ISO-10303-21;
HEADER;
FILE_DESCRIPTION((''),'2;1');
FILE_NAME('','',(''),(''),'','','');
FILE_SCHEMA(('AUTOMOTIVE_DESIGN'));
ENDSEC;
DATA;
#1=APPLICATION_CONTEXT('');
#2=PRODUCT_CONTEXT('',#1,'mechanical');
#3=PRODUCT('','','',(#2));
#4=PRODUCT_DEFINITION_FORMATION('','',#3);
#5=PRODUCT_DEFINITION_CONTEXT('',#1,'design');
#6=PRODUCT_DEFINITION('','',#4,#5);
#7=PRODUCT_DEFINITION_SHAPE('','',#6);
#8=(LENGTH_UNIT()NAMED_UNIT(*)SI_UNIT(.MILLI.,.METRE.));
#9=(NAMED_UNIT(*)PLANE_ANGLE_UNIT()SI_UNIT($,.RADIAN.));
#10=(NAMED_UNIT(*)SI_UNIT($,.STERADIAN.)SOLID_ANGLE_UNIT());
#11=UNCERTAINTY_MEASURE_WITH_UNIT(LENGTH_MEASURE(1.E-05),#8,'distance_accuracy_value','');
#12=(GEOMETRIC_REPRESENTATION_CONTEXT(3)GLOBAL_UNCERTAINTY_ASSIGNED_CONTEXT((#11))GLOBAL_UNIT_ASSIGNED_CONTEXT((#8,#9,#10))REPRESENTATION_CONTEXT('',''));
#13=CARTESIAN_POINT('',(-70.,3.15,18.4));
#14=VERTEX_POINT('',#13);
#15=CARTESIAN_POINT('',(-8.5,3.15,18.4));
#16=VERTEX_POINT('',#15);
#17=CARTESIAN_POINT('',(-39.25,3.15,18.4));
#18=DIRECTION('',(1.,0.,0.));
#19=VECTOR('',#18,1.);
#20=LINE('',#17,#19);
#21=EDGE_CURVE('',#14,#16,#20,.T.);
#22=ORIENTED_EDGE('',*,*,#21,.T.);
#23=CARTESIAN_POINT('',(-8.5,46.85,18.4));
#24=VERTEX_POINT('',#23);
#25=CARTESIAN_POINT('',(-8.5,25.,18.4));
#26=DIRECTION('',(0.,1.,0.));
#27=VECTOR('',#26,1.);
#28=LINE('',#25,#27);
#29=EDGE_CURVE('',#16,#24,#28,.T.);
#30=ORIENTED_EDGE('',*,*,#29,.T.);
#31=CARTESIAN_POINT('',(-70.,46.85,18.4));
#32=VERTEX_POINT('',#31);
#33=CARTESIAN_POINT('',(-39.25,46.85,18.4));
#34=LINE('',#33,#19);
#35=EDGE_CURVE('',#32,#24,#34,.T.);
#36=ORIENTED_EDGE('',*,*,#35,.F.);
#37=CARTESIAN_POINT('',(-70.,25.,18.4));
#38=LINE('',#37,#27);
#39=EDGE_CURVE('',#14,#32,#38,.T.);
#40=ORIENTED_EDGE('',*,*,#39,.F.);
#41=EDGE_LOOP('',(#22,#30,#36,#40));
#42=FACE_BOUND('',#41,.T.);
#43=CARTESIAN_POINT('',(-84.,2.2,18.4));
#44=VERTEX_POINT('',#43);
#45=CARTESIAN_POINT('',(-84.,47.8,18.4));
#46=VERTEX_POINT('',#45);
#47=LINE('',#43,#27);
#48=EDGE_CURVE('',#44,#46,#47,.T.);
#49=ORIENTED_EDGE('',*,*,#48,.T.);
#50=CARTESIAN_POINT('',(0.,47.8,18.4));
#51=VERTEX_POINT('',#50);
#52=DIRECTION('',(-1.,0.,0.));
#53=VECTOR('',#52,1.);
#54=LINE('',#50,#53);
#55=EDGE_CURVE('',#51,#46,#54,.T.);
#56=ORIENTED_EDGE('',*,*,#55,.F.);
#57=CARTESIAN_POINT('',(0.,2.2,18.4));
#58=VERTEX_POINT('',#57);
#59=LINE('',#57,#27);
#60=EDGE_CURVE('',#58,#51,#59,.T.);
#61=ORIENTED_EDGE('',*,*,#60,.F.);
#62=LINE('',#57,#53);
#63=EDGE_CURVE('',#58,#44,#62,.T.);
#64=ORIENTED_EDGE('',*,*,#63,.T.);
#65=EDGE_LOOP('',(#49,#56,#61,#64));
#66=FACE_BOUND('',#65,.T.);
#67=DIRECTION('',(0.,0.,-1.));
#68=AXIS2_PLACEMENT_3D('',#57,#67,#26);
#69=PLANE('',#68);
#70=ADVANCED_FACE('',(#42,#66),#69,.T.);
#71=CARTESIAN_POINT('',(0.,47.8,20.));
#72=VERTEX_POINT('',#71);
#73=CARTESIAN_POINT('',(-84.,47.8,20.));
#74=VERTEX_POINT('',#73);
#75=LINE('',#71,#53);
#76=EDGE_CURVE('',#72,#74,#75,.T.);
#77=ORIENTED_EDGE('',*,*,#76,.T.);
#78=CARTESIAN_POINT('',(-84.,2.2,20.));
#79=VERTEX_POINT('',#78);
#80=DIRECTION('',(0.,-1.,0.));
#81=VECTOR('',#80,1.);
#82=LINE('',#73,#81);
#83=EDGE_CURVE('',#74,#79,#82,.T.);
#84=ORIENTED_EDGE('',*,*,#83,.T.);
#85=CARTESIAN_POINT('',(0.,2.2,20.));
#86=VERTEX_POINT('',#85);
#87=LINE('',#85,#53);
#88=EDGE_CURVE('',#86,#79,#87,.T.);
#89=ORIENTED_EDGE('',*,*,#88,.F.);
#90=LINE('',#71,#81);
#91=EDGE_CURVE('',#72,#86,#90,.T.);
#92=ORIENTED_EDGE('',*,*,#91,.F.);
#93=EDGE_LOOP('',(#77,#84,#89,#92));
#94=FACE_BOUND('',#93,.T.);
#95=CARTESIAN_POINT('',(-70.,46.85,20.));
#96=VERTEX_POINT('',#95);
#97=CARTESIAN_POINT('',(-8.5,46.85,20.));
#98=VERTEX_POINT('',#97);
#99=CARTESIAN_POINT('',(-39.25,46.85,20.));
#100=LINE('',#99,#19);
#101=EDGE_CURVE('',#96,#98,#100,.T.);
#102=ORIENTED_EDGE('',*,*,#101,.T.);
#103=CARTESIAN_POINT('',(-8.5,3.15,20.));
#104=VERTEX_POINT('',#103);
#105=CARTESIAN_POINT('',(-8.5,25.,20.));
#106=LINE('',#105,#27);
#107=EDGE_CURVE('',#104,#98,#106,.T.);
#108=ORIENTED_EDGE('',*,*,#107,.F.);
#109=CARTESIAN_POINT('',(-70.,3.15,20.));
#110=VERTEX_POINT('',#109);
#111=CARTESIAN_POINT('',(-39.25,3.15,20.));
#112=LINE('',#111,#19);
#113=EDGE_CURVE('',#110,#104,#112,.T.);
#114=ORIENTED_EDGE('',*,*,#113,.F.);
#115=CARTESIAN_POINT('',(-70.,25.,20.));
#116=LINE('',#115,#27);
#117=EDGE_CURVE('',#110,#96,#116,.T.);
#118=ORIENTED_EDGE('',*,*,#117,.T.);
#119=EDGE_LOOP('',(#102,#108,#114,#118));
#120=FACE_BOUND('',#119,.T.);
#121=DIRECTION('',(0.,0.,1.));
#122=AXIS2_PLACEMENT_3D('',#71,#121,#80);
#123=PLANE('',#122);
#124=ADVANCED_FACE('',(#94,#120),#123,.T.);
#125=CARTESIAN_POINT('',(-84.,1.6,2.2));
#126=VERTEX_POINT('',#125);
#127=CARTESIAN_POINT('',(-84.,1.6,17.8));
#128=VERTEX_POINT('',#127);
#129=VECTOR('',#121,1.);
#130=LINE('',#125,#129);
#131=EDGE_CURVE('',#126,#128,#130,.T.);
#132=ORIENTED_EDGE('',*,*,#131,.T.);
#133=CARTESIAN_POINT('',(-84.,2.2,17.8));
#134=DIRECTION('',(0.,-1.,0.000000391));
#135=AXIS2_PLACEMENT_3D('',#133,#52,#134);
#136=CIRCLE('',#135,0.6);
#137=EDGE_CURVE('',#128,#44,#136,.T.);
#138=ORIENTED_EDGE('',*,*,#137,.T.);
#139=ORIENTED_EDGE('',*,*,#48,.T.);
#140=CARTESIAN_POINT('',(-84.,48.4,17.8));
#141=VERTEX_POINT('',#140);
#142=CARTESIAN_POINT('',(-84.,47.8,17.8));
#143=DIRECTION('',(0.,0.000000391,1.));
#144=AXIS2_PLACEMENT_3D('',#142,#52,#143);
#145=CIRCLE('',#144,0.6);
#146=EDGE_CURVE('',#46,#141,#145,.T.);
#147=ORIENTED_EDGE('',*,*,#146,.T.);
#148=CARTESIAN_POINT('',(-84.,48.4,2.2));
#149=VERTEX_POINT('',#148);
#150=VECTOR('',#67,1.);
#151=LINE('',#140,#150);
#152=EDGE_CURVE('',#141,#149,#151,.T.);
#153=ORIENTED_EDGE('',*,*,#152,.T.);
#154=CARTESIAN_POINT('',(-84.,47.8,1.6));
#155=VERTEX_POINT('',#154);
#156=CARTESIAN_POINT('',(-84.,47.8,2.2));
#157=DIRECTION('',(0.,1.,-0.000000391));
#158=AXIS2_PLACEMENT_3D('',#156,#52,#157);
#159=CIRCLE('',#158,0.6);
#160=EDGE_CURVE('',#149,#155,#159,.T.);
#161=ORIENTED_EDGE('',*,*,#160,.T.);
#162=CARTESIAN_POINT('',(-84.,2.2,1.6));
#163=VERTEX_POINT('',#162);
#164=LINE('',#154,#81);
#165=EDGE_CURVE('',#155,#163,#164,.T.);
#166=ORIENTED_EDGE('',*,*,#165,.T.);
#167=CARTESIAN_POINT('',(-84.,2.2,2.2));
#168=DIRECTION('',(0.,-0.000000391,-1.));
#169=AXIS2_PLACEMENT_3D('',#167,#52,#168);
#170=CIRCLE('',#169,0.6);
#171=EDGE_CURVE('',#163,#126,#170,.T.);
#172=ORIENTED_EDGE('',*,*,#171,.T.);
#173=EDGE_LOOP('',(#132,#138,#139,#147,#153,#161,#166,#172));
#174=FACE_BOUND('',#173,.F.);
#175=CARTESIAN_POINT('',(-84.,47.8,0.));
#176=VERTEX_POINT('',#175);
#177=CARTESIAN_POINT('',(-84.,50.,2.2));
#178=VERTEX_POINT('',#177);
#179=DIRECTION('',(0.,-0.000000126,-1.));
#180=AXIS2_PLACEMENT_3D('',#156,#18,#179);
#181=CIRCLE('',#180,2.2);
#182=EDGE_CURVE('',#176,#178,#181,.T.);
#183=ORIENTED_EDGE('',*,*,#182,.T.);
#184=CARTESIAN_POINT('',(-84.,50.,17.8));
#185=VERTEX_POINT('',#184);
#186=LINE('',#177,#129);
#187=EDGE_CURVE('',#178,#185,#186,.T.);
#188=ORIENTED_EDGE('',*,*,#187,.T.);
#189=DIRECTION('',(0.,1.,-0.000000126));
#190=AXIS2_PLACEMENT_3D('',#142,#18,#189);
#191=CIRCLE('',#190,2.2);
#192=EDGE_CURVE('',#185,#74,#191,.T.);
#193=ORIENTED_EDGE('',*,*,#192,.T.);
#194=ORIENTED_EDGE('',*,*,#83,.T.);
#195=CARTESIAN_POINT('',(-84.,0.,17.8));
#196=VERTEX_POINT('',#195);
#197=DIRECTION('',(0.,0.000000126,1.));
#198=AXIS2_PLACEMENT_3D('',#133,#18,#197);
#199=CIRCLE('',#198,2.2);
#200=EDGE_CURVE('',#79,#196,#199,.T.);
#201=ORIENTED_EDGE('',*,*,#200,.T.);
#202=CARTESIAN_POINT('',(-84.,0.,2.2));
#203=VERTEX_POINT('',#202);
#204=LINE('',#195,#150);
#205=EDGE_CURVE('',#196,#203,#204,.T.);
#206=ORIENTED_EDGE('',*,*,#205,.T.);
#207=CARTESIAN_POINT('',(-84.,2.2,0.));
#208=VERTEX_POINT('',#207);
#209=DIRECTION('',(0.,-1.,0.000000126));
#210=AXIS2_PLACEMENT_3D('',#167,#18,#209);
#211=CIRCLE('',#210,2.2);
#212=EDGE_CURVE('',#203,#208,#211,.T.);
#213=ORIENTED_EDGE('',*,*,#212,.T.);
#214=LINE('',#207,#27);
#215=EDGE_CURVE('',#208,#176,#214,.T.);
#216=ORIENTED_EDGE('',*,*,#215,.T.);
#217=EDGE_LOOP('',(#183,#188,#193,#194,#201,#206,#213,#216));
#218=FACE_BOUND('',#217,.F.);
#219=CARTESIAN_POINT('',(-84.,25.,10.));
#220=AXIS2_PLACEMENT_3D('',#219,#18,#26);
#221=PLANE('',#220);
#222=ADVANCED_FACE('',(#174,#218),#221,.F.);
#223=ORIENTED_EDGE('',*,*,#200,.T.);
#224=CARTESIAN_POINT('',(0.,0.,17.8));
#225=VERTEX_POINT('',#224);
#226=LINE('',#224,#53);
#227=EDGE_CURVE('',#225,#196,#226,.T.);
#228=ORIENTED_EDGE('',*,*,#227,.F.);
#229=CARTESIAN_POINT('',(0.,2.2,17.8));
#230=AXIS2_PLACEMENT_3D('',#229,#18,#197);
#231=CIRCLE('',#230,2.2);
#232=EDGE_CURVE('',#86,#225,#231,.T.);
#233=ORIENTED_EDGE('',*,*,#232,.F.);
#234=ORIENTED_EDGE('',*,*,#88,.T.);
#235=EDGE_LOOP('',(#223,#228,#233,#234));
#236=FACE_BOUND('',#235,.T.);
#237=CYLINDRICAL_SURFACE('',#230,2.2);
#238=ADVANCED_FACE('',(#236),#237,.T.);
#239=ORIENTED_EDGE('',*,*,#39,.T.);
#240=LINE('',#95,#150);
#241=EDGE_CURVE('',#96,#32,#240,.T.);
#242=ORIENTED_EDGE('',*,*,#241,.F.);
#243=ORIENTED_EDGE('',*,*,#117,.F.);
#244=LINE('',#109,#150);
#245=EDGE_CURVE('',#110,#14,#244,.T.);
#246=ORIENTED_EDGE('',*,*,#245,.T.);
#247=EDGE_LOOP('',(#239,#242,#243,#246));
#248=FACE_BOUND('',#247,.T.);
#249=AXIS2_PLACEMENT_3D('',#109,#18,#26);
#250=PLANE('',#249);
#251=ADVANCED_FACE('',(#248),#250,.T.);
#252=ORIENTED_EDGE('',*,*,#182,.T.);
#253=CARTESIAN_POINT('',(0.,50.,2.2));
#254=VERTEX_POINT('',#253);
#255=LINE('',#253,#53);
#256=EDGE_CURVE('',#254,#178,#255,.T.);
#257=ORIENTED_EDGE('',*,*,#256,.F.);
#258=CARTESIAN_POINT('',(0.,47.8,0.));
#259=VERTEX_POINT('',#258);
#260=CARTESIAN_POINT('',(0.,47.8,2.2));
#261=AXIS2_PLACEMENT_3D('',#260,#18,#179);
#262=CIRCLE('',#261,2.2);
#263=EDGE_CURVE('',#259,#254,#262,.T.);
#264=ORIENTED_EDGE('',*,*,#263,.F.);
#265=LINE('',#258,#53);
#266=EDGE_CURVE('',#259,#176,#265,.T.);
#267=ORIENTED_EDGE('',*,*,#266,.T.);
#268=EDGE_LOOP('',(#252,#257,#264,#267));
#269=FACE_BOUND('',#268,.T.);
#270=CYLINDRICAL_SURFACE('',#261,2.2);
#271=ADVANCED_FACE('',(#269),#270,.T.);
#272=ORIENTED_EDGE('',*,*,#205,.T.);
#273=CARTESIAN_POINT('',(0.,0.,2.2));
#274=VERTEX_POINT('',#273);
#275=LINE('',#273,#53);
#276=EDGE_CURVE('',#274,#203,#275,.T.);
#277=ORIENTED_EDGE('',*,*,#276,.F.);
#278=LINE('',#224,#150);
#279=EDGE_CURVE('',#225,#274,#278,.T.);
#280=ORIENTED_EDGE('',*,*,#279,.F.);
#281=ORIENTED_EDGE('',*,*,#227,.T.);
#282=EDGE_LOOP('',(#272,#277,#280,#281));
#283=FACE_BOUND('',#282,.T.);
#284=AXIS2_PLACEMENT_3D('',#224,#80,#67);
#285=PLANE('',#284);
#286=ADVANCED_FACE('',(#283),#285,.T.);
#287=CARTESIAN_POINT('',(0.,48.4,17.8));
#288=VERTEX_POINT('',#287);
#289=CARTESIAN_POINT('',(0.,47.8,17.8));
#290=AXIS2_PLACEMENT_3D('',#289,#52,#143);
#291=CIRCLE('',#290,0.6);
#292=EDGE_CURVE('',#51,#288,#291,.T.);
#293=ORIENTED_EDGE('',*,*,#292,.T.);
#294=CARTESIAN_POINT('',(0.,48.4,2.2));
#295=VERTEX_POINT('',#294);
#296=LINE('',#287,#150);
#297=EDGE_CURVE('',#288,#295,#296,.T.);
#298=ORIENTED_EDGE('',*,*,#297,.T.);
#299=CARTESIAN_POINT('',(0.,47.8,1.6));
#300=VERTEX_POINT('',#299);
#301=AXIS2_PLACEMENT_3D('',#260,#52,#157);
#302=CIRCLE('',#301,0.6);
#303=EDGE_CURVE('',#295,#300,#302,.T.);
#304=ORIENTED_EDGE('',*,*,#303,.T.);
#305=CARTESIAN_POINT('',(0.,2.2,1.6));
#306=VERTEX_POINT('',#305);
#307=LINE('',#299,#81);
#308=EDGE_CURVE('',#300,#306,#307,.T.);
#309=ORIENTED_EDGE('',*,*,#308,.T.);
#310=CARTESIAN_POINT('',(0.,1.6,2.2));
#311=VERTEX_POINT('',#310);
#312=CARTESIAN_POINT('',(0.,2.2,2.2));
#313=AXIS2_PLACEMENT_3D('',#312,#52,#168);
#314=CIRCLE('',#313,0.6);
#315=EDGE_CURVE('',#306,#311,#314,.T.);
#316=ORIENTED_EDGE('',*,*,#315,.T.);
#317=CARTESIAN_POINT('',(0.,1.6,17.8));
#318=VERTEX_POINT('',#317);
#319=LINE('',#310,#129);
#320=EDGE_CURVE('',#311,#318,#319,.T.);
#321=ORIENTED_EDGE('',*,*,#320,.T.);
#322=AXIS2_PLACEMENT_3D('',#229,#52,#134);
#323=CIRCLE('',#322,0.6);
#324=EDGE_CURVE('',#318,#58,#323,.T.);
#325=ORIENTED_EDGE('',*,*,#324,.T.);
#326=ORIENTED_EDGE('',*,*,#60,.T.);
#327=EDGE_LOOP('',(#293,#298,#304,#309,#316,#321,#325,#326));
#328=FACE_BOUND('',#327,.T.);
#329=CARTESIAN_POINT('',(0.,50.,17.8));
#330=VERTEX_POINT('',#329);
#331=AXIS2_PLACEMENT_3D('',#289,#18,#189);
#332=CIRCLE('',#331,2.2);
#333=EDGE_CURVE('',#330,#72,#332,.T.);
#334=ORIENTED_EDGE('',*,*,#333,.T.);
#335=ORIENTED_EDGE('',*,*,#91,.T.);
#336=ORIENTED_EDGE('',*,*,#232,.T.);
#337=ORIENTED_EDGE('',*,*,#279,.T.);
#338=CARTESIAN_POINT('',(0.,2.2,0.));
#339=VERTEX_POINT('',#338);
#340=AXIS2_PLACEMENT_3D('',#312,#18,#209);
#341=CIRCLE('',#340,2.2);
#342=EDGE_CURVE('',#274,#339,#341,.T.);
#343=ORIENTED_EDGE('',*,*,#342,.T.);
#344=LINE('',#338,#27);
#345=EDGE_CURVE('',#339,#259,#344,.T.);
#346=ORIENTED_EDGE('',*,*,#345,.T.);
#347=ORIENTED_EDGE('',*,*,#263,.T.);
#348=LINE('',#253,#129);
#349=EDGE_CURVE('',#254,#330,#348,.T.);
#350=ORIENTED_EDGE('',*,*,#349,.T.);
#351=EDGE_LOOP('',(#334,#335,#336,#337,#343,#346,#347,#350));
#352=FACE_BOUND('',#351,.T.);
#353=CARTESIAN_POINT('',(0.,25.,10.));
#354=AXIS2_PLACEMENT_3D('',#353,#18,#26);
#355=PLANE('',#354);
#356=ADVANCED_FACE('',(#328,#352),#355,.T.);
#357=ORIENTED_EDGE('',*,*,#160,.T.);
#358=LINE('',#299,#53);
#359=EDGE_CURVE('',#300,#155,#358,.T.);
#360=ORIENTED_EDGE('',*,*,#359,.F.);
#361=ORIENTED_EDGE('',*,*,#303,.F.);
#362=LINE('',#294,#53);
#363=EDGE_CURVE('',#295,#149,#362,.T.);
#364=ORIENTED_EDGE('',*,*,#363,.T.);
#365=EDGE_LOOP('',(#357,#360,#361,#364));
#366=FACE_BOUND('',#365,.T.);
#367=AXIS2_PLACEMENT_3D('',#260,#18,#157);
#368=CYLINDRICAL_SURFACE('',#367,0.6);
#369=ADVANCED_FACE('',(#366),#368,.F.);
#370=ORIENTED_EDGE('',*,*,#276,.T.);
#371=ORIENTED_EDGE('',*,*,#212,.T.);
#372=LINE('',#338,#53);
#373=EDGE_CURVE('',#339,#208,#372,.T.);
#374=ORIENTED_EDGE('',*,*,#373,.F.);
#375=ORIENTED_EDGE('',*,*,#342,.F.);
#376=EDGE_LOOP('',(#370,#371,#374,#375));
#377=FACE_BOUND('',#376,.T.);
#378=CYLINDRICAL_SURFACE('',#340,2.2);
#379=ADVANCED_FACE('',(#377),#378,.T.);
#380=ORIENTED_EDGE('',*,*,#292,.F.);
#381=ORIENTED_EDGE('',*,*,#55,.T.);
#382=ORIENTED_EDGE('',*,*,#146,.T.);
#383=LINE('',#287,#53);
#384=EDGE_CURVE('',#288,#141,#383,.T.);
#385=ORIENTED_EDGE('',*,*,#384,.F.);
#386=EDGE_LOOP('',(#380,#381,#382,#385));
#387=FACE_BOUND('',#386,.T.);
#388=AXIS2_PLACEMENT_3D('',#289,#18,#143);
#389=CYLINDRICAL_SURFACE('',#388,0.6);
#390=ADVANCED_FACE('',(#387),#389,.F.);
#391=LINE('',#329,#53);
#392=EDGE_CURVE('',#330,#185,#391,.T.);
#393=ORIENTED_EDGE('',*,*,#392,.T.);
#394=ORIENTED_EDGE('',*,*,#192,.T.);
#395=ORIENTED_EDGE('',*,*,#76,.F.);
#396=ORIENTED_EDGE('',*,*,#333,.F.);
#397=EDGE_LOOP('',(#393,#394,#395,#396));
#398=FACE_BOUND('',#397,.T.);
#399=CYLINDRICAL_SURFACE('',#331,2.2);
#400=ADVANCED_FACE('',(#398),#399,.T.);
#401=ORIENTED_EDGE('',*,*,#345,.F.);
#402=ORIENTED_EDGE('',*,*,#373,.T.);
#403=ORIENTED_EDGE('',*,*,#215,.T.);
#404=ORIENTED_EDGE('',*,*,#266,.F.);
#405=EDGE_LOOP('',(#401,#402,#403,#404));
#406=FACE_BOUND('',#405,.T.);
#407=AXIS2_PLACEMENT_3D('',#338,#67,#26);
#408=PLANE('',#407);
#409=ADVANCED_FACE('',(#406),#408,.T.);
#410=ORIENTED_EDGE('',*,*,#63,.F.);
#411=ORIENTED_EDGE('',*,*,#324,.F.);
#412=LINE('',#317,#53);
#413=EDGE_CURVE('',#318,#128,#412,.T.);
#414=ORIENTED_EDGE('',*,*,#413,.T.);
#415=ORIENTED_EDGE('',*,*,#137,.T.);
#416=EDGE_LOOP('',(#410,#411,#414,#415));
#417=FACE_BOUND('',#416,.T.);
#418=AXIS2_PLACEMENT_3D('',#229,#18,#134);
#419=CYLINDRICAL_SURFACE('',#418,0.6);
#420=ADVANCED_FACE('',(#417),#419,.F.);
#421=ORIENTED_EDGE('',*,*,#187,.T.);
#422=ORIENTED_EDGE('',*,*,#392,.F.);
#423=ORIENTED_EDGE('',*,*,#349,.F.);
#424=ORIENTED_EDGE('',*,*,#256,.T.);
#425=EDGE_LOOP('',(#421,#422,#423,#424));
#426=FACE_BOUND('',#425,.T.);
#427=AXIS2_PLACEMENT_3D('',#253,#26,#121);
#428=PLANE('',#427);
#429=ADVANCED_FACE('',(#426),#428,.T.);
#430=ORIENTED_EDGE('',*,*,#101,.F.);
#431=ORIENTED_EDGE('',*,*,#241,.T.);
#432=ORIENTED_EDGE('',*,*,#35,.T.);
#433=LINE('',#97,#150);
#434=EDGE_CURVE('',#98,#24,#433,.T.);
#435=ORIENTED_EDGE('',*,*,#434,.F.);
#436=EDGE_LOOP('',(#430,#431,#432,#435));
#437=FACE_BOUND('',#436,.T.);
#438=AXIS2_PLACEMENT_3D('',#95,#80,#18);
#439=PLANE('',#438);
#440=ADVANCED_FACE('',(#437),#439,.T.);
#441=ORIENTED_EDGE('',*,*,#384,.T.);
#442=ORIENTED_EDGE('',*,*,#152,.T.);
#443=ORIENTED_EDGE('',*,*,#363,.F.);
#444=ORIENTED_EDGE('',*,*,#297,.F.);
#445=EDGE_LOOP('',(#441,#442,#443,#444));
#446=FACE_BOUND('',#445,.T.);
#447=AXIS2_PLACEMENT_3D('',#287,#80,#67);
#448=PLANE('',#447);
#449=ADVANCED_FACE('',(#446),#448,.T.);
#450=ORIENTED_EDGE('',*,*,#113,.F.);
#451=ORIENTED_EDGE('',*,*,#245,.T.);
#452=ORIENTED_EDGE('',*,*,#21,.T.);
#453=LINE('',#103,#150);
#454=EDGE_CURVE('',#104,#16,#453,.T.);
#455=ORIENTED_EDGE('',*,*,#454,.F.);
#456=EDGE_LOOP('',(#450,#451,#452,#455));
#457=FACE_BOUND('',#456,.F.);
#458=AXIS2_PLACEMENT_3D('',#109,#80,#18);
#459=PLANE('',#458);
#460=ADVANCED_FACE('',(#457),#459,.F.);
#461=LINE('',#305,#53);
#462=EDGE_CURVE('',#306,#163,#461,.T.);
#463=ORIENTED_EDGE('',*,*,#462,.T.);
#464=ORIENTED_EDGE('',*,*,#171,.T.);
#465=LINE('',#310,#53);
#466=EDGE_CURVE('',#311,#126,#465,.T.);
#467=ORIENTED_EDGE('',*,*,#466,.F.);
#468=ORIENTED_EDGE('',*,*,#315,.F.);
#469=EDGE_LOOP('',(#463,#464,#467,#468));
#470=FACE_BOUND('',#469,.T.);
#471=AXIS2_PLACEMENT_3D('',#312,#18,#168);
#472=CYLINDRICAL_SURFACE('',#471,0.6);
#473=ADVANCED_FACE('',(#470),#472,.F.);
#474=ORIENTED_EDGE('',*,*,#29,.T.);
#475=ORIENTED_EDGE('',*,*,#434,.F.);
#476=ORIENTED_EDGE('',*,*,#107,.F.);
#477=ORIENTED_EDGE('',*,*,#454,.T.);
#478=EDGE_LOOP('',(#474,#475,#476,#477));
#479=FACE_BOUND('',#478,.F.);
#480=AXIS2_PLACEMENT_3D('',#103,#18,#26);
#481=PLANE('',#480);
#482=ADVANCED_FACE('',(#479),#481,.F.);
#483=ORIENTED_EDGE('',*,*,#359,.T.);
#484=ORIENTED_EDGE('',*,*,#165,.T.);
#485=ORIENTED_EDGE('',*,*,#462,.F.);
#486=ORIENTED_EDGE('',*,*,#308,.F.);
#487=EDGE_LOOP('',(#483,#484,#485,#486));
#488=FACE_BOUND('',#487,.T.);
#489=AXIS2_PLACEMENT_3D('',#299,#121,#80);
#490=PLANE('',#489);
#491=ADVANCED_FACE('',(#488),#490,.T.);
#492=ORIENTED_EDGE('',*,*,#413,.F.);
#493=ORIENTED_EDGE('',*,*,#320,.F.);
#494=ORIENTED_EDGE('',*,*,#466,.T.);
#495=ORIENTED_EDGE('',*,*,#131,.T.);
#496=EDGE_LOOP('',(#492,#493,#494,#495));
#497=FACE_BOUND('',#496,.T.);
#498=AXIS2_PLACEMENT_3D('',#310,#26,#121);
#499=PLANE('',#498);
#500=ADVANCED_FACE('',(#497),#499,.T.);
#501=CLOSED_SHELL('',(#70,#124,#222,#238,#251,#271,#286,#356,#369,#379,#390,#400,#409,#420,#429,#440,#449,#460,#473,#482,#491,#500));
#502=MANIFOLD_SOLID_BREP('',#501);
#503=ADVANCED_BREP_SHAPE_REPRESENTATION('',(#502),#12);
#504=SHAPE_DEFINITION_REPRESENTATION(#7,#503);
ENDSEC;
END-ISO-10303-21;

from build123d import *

# Parameters (mm, degrees)
F1_DEPTH = 84
F2_W     = 61.5
F2_H     = 43.7
F3_DEPTH = 1.6


with BuildPart() as f1:
    # F0 (on Right) → F1 (new body)
    with BuildSketch(Plane.YZ):
        with BuildLine():
            Line((47.8, 20), (2.2, 20))
            ThreePointArc((2.2, 20), (0.644365, 19.355635), (0, 17.8))
            Line((0, 17.8), (0, 2.2))
            ThreePointArc((0, 2.2), (0.644365, 0.644365), (2.2, 0))
            Line((2.2, 0), (47.8, 0))
            ThreePointArc((47.8, 0), (49.355635, 0.644365), (50, 2.2))
            Line((50, 2.2), (50, 17.8))
            ThreePointArc((50, 17.8), (49.355635, 19.355635), (47.8, 20))
        make_face()
        with BuildLine():
            ThreePointArc((47.8, 18.4), (48.224264, 18.224264), (48.4, 17.8))
            Line((48.4, 17.8), (48.4, 2.2))
            ThreePointArc((48.4, 2.2), (48.224264, 1.775736), (47.8, 1.6))
            Line((47.8, 1.6), (2.2, 1.6))
            ThreePointArc((2.2, 1.6), (1.775736, 1.775736), (1.6, 2.2))
            Line((1.6, 2.2), (1.6, 17.8))
            ThreePointArc((1.6, 17.8), (1.775736, 18.224264), (2.2, 18.4))
            Line((2.2, 18.4), (47.8, 18.4))
        make_face(mode=Mode.SUBTRACT)
    extrude(amount=-F1_DEPTH)

    # F2 (on face) → F3 (cut, through all)
    with BuildSketch(Plane.XY.offset(20)):
        with Locations((-39.25, 25)):
            Rectangle(F2_W, F2_H)
    extrude(amount=-F3_DEPTH, mode=Mode.SUBTRACT)


solid = f1.part
